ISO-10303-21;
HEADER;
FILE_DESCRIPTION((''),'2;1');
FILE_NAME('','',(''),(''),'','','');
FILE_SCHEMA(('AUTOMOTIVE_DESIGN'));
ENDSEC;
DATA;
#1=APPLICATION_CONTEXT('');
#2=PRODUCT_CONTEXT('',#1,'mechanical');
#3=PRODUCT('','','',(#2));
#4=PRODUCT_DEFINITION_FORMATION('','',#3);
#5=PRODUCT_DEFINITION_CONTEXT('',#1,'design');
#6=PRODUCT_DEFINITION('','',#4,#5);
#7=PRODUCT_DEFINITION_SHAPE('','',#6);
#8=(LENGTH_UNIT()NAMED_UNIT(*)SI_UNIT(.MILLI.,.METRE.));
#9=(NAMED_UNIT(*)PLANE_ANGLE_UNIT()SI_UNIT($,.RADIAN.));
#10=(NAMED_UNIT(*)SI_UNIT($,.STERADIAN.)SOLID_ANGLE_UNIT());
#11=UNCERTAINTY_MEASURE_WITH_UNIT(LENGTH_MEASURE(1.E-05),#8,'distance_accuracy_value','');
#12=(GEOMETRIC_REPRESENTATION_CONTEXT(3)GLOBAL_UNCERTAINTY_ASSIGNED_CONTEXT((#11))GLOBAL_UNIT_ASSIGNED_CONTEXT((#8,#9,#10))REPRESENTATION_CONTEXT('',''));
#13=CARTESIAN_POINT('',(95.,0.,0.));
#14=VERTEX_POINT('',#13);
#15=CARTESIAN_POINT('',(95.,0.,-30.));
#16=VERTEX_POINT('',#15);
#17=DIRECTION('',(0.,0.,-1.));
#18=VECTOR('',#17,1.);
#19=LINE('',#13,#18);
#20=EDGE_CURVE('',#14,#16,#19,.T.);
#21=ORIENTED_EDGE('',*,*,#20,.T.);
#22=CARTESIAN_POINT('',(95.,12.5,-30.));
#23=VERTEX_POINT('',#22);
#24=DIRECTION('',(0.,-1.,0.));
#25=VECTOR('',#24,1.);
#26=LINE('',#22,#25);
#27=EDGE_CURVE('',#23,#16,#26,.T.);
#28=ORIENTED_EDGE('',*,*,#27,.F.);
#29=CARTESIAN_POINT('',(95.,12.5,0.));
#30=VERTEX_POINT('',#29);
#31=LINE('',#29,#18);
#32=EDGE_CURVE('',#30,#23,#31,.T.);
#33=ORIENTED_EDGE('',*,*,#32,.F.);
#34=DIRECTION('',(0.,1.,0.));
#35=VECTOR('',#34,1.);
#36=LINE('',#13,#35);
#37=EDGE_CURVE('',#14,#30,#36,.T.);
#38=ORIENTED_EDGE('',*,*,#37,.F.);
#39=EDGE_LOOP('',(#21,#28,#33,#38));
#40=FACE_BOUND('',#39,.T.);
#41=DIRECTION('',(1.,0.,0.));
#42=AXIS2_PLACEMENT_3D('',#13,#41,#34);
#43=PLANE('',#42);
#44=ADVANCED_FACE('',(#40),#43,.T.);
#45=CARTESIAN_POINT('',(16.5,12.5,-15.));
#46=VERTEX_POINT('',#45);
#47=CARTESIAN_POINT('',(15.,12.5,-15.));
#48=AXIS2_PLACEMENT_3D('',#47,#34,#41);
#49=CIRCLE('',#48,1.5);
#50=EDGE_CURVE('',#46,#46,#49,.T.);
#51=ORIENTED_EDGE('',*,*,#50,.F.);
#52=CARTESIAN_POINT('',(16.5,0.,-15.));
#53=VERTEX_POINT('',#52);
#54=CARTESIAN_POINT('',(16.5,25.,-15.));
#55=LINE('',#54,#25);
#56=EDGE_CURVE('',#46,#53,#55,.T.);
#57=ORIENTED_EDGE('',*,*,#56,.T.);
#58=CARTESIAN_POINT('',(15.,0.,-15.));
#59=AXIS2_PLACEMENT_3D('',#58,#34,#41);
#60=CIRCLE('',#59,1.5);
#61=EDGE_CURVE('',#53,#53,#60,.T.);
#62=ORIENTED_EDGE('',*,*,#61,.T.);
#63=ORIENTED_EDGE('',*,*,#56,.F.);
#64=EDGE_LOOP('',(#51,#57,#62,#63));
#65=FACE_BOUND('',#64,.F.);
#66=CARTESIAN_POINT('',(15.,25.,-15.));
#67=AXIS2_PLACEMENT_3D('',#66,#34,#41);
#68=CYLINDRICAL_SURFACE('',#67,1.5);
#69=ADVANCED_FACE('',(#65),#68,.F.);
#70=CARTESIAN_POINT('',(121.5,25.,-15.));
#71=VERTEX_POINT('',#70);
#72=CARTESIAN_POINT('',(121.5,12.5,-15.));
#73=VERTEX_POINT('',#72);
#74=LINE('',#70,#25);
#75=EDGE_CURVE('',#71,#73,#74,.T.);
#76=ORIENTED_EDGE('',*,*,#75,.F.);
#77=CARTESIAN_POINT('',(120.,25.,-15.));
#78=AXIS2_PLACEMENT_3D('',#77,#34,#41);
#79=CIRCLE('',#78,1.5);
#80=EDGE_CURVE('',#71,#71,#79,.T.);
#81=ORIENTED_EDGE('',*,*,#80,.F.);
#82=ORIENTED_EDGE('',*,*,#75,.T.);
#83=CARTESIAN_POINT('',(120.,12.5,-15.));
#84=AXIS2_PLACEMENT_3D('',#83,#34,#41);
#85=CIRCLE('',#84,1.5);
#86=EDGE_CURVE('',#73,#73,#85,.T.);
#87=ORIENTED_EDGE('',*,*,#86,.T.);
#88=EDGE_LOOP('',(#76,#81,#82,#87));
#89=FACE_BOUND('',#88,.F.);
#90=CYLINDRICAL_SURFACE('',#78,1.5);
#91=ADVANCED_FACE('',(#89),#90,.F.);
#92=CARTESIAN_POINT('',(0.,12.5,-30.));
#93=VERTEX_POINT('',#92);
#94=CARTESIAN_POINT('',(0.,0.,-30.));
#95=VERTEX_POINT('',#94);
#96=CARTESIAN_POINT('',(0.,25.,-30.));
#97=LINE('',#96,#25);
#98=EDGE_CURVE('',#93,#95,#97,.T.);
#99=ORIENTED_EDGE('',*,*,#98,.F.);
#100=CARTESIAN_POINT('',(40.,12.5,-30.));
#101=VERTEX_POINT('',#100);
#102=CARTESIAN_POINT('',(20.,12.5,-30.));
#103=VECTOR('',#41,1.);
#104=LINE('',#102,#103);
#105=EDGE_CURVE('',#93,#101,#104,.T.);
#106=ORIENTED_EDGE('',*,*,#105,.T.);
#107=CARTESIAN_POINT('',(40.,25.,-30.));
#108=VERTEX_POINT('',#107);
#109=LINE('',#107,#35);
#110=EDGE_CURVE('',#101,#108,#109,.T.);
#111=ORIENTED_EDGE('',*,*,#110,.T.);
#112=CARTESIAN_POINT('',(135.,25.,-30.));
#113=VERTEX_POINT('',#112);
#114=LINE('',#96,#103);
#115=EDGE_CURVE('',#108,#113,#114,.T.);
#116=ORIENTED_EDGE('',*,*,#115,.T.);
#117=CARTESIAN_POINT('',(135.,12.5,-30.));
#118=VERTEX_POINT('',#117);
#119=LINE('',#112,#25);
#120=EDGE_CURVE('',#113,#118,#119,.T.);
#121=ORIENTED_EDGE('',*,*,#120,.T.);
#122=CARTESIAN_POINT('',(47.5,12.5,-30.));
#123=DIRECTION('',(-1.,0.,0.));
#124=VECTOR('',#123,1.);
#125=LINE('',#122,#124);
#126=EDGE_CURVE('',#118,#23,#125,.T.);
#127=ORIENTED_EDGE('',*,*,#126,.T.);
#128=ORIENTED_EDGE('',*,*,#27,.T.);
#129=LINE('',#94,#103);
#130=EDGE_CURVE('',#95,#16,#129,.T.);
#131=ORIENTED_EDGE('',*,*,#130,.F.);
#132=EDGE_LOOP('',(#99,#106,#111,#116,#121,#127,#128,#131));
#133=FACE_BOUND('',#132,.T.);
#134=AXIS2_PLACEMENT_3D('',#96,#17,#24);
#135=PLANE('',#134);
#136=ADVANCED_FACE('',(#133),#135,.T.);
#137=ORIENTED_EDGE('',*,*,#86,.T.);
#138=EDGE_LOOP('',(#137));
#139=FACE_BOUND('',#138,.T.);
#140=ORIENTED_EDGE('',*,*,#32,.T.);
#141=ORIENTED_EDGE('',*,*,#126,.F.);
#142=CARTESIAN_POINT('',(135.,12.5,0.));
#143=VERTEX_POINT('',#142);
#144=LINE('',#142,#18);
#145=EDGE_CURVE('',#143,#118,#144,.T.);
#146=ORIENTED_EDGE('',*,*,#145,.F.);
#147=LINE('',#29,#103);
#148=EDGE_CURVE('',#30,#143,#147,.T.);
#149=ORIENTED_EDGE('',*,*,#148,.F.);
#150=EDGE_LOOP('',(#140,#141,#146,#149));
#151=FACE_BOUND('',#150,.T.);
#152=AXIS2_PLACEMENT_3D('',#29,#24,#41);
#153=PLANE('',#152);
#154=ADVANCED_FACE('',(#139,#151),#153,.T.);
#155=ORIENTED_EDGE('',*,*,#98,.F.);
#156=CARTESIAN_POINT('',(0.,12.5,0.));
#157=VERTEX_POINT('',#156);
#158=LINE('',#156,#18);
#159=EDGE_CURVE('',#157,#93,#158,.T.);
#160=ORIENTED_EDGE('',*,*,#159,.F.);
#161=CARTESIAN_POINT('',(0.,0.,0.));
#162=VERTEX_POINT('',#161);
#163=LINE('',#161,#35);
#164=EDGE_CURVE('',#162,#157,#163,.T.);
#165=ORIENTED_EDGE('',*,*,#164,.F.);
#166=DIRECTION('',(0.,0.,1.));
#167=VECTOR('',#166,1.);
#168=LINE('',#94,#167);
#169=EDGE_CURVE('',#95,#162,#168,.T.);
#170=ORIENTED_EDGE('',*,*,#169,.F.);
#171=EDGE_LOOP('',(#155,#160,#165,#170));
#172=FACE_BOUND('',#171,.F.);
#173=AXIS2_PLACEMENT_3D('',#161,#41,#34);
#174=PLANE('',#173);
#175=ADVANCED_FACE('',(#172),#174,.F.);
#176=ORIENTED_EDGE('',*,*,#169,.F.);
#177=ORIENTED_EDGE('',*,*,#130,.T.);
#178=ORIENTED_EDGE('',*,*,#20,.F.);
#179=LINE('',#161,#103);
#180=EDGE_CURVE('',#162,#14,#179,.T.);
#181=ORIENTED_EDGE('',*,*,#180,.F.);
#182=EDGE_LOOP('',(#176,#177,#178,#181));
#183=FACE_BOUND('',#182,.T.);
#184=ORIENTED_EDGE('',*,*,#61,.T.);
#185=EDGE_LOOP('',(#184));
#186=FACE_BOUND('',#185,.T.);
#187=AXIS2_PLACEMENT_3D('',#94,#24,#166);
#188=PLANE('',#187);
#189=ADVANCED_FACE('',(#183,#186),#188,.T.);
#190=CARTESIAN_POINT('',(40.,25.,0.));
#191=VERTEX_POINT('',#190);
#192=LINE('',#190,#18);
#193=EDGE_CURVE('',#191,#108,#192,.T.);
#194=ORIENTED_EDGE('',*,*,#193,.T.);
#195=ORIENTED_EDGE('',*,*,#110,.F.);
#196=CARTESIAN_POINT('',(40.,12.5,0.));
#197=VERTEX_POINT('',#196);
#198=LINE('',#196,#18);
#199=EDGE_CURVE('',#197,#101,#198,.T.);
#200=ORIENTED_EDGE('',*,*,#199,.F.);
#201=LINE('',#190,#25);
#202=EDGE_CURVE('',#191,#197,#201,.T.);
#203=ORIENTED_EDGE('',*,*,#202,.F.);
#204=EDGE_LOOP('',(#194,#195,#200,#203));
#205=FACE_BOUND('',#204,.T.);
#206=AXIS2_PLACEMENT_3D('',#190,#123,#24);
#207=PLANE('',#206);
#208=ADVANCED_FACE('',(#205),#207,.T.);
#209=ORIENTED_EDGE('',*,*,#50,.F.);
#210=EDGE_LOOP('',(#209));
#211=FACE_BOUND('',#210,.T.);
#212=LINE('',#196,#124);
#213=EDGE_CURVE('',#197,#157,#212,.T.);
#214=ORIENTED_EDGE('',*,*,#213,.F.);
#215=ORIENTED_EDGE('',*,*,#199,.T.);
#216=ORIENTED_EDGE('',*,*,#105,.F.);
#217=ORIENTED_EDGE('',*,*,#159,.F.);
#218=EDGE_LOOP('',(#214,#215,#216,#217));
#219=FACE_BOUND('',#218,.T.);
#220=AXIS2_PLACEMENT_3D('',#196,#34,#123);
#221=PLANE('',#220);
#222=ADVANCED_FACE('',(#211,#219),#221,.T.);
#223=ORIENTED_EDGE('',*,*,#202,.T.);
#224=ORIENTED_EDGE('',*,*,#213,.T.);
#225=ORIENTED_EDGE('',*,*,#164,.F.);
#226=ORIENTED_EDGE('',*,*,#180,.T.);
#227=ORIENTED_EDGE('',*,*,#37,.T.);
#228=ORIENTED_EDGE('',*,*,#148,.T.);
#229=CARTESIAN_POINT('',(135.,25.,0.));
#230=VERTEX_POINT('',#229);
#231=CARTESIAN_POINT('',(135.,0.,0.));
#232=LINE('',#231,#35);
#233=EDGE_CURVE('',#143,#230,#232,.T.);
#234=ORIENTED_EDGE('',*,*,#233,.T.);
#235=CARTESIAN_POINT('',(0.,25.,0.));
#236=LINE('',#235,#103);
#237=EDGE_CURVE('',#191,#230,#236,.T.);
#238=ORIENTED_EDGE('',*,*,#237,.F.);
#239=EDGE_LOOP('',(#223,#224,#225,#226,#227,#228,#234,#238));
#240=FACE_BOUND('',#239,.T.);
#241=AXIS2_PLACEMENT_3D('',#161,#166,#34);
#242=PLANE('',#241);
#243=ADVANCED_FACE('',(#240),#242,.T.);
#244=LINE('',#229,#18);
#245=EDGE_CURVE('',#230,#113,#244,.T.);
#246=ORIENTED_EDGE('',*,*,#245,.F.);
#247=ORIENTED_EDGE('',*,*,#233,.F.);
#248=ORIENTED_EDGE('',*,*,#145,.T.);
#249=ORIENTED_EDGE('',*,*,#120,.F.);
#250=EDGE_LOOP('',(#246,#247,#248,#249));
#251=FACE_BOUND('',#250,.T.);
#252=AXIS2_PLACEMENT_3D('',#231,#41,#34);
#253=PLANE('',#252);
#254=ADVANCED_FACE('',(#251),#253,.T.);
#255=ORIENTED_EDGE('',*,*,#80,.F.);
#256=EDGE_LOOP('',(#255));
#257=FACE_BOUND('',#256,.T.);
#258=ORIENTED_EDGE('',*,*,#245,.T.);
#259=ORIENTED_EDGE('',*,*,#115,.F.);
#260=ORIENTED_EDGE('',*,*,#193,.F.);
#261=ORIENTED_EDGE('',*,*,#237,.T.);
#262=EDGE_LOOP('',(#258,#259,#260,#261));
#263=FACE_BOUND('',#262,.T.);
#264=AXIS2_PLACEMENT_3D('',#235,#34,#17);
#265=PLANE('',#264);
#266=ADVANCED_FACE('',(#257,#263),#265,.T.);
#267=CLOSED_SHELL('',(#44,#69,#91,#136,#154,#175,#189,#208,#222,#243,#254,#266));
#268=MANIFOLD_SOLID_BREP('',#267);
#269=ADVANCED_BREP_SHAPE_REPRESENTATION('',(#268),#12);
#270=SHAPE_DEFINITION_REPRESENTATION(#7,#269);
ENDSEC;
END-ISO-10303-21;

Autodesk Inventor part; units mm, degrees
ref_plane "YZ Plane" through (0, 0, 0) normal (1, 0, 0) x (0, 1, 0)
ref_plane "XZ Plane" through (0, 0, 0) normal (0, 1, 0) x (-1, 0, 0)
ref_plane "XY Plane" through (0, 0, 0) normal (0, 0, 1) x (1, 0, 0)
sketch "Esquisse1" plane through (0, 0, 0) normal (1, 0, 0) x (0, 1, 0)
  line L0 (0, 0) -> (25, 0)
  line L1 (25, 0) -> (25, -30)
  line L2 (25, -30) -> (0, -30)
  line L3 (0, -30) -> (0, 0)
  dimension "d0" = 25
  dimension "d1" = 30
extrude "Extrusion1" add sketch "Esquisse1" along normal blind 135
sketch "Esquisse2" plane through (0, 25, 0) normal (0, 1, 0) x (1, 0, 0)
  circle A0 centre (15, 15) radius 1.5
  line L0 (0, 30) -> (135, 30) projected
  line L1 (0, 30) -> (0, 0) projected
  circle A1 centre (120, 15) radius 1.5
  line L2 (135, 30) -> (135, 0) projected
  dimension "d4" = 3
  dimension "d5" = 15
  dimension "d6" = 15
  dimension "d7" = 3
  dimension "d9" = 15
extrude "Extrusion2" cut sketch "Esquisse2" against normal through all
sketch "Esquisse3" plane through (0, 0, 0) normal (0, 0, 1) x (1, 0, 0)
  line L0 (0, 25) -> (135, 25) projected
  line L1 (0, 25) -> (40, 25)
  line L2 (40, 25) -> (40, 12.5)
  line L3 (40, 12.5) -> (0, 12.5)
  line L4 (0, 12.5) -> (0, 25)
  line L5 (0, 0) -> (135, 0) projected
  line L6 (135, 0) -> (95, 0)
  line L7 (95, 0) -> (95, 12.5)
  line L8 (95, 12.5) -> (135, 12.5)
  line L9 (135, 12.5) -> (135, 0)
  dimension "d12" = 40
  dimension "d13" = 12.5
  dimension "d14" = 40
extrude "Extrusion3" cut sketch "Esquisse3" against normal through all
properties part number "entremoteur"
